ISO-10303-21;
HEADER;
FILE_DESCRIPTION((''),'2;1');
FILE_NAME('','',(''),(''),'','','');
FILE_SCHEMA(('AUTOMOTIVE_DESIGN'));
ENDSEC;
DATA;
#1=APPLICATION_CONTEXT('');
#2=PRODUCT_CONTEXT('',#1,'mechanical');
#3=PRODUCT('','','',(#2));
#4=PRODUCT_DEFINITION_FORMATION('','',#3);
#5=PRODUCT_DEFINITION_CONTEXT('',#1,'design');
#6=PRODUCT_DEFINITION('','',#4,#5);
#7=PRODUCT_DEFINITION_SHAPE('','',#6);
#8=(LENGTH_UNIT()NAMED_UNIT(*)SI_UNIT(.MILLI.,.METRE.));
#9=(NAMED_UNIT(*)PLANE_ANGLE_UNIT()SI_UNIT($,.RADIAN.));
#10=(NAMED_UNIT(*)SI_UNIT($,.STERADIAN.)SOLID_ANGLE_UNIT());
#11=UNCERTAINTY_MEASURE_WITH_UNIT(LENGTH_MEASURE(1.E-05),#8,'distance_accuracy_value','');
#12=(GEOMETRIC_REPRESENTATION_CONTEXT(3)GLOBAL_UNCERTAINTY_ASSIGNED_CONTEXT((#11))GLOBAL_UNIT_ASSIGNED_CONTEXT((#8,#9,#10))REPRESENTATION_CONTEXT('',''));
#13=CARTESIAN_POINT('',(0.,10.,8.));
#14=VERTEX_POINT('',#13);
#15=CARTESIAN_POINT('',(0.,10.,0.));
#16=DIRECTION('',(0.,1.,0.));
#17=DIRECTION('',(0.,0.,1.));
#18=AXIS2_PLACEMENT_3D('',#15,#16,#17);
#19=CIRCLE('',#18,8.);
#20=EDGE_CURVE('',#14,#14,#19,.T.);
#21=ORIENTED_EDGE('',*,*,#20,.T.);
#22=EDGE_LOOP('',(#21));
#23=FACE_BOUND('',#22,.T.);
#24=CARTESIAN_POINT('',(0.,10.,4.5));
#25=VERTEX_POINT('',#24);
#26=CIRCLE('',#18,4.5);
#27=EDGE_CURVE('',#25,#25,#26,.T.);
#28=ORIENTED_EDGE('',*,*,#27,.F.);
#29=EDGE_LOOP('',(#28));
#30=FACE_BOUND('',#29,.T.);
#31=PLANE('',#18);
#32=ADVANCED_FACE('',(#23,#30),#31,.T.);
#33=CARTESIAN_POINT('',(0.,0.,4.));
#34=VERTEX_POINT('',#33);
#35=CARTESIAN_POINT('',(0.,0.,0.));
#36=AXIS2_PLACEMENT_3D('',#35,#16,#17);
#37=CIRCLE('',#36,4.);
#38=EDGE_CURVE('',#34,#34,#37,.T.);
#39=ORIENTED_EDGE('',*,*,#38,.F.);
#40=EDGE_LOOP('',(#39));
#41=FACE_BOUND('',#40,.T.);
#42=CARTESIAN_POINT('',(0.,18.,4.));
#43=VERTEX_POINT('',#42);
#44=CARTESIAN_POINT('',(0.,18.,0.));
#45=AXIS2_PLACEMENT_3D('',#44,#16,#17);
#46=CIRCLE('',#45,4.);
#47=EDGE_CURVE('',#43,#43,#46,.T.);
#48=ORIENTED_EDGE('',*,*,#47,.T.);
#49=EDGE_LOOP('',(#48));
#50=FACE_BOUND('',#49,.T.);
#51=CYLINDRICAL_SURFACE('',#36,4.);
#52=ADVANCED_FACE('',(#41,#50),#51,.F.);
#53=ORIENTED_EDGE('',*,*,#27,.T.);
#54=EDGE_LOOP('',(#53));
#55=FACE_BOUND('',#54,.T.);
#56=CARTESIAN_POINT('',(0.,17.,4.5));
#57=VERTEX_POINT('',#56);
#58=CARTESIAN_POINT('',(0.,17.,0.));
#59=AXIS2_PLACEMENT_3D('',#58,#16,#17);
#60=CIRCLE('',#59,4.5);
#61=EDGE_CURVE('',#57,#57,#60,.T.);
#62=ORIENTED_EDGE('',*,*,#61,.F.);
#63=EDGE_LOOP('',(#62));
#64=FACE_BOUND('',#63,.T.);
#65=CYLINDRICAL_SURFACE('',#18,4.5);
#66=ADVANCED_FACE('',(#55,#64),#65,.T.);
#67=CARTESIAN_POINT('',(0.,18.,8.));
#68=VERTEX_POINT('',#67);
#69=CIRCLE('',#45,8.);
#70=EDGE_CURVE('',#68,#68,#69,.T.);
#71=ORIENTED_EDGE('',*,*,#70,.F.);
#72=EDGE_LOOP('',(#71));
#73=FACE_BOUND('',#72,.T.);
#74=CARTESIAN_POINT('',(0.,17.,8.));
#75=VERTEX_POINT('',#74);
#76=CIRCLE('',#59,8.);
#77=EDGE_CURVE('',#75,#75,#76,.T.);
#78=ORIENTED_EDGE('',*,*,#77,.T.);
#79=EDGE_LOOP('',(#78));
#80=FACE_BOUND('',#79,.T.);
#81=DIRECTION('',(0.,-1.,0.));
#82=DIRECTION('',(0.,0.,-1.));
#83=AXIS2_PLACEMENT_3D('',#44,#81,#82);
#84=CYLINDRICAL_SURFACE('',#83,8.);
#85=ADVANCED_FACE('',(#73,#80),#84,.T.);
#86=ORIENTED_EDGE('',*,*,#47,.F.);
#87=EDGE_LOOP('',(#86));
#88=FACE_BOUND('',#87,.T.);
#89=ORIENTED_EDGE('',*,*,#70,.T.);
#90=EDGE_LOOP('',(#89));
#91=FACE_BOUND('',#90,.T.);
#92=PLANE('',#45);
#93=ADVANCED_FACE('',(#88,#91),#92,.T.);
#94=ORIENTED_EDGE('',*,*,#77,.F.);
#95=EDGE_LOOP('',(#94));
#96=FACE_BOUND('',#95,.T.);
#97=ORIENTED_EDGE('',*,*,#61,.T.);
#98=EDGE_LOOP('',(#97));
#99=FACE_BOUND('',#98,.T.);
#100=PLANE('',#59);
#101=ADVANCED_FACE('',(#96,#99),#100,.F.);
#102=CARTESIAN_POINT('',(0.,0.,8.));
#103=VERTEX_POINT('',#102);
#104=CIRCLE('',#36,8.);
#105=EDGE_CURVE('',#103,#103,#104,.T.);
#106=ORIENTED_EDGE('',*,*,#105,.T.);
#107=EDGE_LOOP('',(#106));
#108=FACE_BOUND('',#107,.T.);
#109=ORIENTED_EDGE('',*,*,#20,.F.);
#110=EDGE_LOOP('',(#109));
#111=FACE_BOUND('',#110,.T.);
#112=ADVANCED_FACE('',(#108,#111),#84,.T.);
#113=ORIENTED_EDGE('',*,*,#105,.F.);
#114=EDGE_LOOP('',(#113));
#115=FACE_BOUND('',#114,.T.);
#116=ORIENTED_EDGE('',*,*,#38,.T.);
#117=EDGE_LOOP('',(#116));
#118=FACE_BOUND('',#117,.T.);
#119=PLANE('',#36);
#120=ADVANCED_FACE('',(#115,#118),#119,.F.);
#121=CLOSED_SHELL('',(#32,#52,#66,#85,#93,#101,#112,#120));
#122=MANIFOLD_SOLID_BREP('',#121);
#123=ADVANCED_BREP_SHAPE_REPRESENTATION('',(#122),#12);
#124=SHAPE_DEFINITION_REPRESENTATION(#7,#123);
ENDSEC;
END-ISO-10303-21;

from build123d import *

# Parameters (mm, degrees)
SKETCH1_R           = 8
BOSS_EXTRUDE1_DEPTH = 18
SKETCH2_R           = 4
CUT_EXTRUDE1_DEPTH  = 22.260291625
CUT_EXTRUDE2_START  = -8
SKETCH3_R           = 8
SKETCH3_R_2         = 4.5
CUT_EXTRUDE2_DEPTH  = 7


with BuildPart() as part:
    # Sketch1 → Boss-Extrude1 (new body)
    with BuildSketch(Plane(origin=(0, 0, 0), x_dir=(1, 0, 0), z_dir=(0, 1, 0))):
        with Locations(Location((0, 0, 0), (0, 0, 270))):
            Circle(SKETCH1_R)
    extrude(amount=BOSS_EXTRUDE1_DEPTH)

    # Sketch2 → Cut-Extrude1 (cut, through all)
    with BuildSketch(Plane(origin=(0, 18, 0), x_dir=(1, 0, 0), z_dir=(0, 1, 0))):
        with Locations(Location((0, 0, 0), (0, 0, 270))):
            Circle(SKETCH2_R)
    extrude(amount=-CUT_EXTRUDE1_DEPTH, mode=Mode.SUBTRACT)

    # Sketch3 → Cut-Extrude2 (cut)
    with BuildSketch(Plane(origin=(0, 18, 0), x_dir=(1, 0, 0), z_dir=(0, 1, 0)).offset(CUT_EXTRUDE2_START)):
        with Locations(Location((0, 0, 0), (0, 0, 270))):
            Circle(SKETCH3_R)
        with Locations(Location((0, 0, 0), (0, 0, 270))):
            Circle(SKETCH3_R_2, mode=Mode.SUBTRACT)
    extrude(amount=CUT_EXTRUDE2_DEPTH, mode=Mode.SUBTRACT)


solid = part.part
